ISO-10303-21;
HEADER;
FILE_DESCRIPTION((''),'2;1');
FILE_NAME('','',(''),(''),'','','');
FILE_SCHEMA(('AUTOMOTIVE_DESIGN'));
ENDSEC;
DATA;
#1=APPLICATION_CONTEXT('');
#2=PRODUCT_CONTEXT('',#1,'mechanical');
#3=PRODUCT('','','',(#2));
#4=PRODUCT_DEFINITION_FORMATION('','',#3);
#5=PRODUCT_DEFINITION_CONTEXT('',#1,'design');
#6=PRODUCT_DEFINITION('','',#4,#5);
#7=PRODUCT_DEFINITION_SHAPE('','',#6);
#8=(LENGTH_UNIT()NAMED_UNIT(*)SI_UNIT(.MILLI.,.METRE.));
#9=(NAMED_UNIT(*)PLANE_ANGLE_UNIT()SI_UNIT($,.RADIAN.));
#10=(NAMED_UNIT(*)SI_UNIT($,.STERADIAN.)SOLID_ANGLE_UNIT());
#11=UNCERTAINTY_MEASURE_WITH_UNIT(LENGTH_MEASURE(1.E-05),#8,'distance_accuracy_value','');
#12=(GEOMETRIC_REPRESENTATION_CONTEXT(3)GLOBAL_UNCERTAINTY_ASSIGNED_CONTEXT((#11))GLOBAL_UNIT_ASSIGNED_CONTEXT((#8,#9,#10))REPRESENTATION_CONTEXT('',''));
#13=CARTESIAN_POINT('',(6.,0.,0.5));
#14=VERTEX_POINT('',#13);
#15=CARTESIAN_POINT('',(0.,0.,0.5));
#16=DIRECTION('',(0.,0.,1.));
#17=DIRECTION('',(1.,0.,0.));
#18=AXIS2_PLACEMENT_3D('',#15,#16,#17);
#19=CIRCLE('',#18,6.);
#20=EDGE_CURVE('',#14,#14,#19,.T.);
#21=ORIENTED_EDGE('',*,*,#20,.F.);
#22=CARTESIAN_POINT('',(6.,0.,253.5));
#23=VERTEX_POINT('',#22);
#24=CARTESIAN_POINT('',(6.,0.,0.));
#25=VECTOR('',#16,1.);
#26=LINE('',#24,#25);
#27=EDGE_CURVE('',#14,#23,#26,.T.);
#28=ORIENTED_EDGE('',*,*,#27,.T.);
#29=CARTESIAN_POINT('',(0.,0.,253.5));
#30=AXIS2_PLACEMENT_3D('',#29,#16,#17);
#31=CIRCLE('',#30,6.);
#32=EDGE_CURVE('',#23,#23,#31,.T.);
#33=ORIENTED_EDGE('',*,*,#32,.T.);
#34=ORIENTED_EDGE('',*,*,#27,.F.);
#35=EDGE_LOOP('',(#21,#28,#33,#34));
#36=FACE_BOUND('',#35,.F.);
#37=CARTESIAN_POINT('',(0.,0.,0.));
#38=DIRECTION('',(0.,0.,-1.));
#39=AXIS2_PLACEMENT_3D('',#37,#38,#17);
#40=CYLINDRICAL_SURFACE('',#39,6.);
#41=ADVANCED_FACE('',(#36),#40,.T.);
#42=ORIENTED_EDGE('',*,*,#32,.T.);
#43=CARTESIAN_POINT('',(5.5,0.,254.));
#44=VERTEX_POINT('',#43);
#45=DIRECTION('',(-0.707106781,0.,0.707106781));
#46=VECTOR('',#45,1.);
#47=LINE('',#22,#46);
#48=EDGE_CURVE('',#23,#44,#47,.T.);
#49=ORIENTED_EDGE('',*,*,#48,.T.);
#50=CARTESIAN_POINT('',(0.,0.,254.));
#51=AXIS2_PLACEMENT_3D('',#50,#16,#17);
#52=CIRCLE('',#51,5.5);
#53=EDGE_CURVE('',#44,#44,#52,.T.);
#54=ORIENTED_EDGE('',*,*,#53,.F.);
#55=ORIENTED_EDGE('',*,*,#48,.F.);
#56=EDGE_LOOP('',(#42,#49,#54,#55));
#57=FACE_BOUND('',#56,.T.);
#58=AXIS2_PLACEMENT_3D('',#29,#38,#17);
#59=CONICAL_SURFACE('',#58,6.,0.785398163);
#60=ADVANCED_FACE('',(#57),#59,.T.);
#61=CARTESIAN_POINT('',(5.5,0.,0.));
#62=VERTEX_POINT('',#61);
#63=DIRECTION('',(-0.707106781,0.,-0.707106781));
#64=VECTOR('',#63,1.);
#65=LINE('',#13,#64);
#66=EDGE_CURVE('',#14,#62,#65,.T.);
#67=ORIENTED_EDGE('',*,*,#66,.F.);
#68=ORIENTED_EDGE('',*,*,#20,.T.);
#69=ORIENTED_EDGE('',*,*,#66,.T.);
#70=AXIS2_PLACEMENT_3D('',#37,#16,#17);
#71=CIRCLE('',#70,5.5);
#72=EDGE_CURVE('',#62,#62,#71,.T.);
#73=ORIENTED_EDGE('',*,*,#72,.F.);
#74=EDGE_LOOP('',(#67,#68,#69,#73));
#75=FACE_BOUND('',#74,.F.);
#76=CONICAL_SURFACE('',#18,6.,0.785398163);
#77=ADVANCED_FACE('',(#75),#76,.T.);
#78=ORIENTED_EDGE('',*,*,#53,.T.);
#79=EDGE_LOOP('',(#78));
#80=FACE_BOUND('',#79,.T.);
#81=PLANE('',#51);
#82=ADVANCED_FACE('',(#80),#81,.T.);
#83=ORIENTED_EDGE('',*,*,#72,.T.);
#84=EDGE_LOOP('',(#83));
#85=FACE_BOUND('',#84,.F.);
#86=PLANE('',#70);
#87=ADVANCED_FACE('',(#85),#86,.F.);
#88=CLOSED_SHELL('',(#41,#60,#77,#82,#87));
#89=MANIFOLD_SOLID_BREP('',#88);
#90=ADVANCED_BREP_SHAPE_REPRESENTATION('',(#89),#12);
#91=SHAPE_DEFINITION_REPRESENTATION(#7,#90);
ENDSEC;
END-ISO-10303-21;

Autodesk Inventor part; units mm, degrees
ref_plane "YZ Plane" through (0, 0, 0) normal (1, 0, 0) x (0, 1, 0)
ref_plane "XZ Plane" through (0, 0, 0) normal (0, 1, 0) x (-1, 0, 0)
ref_plane "XY Plane" through (0, 0, 0) normal (0, 0, 1) x (1, 0, 0)
sketch "Sketch1" plane through (0, 0, 0) normal (0, 0, 1) x (1, 0, 0)
  circle A0 centre (0, 0) radius 6
  dimension "d0" = 12
extrude "Extrusion1" add sketch "Sketch1" along normal blind 254
chamfer "Chamfer1" distance 0.5 angle 45 2 edges at (-6, 0, 254) (-6, 0, 0)
properties part number "linear-guide-x" material "Galvanized Steel"
